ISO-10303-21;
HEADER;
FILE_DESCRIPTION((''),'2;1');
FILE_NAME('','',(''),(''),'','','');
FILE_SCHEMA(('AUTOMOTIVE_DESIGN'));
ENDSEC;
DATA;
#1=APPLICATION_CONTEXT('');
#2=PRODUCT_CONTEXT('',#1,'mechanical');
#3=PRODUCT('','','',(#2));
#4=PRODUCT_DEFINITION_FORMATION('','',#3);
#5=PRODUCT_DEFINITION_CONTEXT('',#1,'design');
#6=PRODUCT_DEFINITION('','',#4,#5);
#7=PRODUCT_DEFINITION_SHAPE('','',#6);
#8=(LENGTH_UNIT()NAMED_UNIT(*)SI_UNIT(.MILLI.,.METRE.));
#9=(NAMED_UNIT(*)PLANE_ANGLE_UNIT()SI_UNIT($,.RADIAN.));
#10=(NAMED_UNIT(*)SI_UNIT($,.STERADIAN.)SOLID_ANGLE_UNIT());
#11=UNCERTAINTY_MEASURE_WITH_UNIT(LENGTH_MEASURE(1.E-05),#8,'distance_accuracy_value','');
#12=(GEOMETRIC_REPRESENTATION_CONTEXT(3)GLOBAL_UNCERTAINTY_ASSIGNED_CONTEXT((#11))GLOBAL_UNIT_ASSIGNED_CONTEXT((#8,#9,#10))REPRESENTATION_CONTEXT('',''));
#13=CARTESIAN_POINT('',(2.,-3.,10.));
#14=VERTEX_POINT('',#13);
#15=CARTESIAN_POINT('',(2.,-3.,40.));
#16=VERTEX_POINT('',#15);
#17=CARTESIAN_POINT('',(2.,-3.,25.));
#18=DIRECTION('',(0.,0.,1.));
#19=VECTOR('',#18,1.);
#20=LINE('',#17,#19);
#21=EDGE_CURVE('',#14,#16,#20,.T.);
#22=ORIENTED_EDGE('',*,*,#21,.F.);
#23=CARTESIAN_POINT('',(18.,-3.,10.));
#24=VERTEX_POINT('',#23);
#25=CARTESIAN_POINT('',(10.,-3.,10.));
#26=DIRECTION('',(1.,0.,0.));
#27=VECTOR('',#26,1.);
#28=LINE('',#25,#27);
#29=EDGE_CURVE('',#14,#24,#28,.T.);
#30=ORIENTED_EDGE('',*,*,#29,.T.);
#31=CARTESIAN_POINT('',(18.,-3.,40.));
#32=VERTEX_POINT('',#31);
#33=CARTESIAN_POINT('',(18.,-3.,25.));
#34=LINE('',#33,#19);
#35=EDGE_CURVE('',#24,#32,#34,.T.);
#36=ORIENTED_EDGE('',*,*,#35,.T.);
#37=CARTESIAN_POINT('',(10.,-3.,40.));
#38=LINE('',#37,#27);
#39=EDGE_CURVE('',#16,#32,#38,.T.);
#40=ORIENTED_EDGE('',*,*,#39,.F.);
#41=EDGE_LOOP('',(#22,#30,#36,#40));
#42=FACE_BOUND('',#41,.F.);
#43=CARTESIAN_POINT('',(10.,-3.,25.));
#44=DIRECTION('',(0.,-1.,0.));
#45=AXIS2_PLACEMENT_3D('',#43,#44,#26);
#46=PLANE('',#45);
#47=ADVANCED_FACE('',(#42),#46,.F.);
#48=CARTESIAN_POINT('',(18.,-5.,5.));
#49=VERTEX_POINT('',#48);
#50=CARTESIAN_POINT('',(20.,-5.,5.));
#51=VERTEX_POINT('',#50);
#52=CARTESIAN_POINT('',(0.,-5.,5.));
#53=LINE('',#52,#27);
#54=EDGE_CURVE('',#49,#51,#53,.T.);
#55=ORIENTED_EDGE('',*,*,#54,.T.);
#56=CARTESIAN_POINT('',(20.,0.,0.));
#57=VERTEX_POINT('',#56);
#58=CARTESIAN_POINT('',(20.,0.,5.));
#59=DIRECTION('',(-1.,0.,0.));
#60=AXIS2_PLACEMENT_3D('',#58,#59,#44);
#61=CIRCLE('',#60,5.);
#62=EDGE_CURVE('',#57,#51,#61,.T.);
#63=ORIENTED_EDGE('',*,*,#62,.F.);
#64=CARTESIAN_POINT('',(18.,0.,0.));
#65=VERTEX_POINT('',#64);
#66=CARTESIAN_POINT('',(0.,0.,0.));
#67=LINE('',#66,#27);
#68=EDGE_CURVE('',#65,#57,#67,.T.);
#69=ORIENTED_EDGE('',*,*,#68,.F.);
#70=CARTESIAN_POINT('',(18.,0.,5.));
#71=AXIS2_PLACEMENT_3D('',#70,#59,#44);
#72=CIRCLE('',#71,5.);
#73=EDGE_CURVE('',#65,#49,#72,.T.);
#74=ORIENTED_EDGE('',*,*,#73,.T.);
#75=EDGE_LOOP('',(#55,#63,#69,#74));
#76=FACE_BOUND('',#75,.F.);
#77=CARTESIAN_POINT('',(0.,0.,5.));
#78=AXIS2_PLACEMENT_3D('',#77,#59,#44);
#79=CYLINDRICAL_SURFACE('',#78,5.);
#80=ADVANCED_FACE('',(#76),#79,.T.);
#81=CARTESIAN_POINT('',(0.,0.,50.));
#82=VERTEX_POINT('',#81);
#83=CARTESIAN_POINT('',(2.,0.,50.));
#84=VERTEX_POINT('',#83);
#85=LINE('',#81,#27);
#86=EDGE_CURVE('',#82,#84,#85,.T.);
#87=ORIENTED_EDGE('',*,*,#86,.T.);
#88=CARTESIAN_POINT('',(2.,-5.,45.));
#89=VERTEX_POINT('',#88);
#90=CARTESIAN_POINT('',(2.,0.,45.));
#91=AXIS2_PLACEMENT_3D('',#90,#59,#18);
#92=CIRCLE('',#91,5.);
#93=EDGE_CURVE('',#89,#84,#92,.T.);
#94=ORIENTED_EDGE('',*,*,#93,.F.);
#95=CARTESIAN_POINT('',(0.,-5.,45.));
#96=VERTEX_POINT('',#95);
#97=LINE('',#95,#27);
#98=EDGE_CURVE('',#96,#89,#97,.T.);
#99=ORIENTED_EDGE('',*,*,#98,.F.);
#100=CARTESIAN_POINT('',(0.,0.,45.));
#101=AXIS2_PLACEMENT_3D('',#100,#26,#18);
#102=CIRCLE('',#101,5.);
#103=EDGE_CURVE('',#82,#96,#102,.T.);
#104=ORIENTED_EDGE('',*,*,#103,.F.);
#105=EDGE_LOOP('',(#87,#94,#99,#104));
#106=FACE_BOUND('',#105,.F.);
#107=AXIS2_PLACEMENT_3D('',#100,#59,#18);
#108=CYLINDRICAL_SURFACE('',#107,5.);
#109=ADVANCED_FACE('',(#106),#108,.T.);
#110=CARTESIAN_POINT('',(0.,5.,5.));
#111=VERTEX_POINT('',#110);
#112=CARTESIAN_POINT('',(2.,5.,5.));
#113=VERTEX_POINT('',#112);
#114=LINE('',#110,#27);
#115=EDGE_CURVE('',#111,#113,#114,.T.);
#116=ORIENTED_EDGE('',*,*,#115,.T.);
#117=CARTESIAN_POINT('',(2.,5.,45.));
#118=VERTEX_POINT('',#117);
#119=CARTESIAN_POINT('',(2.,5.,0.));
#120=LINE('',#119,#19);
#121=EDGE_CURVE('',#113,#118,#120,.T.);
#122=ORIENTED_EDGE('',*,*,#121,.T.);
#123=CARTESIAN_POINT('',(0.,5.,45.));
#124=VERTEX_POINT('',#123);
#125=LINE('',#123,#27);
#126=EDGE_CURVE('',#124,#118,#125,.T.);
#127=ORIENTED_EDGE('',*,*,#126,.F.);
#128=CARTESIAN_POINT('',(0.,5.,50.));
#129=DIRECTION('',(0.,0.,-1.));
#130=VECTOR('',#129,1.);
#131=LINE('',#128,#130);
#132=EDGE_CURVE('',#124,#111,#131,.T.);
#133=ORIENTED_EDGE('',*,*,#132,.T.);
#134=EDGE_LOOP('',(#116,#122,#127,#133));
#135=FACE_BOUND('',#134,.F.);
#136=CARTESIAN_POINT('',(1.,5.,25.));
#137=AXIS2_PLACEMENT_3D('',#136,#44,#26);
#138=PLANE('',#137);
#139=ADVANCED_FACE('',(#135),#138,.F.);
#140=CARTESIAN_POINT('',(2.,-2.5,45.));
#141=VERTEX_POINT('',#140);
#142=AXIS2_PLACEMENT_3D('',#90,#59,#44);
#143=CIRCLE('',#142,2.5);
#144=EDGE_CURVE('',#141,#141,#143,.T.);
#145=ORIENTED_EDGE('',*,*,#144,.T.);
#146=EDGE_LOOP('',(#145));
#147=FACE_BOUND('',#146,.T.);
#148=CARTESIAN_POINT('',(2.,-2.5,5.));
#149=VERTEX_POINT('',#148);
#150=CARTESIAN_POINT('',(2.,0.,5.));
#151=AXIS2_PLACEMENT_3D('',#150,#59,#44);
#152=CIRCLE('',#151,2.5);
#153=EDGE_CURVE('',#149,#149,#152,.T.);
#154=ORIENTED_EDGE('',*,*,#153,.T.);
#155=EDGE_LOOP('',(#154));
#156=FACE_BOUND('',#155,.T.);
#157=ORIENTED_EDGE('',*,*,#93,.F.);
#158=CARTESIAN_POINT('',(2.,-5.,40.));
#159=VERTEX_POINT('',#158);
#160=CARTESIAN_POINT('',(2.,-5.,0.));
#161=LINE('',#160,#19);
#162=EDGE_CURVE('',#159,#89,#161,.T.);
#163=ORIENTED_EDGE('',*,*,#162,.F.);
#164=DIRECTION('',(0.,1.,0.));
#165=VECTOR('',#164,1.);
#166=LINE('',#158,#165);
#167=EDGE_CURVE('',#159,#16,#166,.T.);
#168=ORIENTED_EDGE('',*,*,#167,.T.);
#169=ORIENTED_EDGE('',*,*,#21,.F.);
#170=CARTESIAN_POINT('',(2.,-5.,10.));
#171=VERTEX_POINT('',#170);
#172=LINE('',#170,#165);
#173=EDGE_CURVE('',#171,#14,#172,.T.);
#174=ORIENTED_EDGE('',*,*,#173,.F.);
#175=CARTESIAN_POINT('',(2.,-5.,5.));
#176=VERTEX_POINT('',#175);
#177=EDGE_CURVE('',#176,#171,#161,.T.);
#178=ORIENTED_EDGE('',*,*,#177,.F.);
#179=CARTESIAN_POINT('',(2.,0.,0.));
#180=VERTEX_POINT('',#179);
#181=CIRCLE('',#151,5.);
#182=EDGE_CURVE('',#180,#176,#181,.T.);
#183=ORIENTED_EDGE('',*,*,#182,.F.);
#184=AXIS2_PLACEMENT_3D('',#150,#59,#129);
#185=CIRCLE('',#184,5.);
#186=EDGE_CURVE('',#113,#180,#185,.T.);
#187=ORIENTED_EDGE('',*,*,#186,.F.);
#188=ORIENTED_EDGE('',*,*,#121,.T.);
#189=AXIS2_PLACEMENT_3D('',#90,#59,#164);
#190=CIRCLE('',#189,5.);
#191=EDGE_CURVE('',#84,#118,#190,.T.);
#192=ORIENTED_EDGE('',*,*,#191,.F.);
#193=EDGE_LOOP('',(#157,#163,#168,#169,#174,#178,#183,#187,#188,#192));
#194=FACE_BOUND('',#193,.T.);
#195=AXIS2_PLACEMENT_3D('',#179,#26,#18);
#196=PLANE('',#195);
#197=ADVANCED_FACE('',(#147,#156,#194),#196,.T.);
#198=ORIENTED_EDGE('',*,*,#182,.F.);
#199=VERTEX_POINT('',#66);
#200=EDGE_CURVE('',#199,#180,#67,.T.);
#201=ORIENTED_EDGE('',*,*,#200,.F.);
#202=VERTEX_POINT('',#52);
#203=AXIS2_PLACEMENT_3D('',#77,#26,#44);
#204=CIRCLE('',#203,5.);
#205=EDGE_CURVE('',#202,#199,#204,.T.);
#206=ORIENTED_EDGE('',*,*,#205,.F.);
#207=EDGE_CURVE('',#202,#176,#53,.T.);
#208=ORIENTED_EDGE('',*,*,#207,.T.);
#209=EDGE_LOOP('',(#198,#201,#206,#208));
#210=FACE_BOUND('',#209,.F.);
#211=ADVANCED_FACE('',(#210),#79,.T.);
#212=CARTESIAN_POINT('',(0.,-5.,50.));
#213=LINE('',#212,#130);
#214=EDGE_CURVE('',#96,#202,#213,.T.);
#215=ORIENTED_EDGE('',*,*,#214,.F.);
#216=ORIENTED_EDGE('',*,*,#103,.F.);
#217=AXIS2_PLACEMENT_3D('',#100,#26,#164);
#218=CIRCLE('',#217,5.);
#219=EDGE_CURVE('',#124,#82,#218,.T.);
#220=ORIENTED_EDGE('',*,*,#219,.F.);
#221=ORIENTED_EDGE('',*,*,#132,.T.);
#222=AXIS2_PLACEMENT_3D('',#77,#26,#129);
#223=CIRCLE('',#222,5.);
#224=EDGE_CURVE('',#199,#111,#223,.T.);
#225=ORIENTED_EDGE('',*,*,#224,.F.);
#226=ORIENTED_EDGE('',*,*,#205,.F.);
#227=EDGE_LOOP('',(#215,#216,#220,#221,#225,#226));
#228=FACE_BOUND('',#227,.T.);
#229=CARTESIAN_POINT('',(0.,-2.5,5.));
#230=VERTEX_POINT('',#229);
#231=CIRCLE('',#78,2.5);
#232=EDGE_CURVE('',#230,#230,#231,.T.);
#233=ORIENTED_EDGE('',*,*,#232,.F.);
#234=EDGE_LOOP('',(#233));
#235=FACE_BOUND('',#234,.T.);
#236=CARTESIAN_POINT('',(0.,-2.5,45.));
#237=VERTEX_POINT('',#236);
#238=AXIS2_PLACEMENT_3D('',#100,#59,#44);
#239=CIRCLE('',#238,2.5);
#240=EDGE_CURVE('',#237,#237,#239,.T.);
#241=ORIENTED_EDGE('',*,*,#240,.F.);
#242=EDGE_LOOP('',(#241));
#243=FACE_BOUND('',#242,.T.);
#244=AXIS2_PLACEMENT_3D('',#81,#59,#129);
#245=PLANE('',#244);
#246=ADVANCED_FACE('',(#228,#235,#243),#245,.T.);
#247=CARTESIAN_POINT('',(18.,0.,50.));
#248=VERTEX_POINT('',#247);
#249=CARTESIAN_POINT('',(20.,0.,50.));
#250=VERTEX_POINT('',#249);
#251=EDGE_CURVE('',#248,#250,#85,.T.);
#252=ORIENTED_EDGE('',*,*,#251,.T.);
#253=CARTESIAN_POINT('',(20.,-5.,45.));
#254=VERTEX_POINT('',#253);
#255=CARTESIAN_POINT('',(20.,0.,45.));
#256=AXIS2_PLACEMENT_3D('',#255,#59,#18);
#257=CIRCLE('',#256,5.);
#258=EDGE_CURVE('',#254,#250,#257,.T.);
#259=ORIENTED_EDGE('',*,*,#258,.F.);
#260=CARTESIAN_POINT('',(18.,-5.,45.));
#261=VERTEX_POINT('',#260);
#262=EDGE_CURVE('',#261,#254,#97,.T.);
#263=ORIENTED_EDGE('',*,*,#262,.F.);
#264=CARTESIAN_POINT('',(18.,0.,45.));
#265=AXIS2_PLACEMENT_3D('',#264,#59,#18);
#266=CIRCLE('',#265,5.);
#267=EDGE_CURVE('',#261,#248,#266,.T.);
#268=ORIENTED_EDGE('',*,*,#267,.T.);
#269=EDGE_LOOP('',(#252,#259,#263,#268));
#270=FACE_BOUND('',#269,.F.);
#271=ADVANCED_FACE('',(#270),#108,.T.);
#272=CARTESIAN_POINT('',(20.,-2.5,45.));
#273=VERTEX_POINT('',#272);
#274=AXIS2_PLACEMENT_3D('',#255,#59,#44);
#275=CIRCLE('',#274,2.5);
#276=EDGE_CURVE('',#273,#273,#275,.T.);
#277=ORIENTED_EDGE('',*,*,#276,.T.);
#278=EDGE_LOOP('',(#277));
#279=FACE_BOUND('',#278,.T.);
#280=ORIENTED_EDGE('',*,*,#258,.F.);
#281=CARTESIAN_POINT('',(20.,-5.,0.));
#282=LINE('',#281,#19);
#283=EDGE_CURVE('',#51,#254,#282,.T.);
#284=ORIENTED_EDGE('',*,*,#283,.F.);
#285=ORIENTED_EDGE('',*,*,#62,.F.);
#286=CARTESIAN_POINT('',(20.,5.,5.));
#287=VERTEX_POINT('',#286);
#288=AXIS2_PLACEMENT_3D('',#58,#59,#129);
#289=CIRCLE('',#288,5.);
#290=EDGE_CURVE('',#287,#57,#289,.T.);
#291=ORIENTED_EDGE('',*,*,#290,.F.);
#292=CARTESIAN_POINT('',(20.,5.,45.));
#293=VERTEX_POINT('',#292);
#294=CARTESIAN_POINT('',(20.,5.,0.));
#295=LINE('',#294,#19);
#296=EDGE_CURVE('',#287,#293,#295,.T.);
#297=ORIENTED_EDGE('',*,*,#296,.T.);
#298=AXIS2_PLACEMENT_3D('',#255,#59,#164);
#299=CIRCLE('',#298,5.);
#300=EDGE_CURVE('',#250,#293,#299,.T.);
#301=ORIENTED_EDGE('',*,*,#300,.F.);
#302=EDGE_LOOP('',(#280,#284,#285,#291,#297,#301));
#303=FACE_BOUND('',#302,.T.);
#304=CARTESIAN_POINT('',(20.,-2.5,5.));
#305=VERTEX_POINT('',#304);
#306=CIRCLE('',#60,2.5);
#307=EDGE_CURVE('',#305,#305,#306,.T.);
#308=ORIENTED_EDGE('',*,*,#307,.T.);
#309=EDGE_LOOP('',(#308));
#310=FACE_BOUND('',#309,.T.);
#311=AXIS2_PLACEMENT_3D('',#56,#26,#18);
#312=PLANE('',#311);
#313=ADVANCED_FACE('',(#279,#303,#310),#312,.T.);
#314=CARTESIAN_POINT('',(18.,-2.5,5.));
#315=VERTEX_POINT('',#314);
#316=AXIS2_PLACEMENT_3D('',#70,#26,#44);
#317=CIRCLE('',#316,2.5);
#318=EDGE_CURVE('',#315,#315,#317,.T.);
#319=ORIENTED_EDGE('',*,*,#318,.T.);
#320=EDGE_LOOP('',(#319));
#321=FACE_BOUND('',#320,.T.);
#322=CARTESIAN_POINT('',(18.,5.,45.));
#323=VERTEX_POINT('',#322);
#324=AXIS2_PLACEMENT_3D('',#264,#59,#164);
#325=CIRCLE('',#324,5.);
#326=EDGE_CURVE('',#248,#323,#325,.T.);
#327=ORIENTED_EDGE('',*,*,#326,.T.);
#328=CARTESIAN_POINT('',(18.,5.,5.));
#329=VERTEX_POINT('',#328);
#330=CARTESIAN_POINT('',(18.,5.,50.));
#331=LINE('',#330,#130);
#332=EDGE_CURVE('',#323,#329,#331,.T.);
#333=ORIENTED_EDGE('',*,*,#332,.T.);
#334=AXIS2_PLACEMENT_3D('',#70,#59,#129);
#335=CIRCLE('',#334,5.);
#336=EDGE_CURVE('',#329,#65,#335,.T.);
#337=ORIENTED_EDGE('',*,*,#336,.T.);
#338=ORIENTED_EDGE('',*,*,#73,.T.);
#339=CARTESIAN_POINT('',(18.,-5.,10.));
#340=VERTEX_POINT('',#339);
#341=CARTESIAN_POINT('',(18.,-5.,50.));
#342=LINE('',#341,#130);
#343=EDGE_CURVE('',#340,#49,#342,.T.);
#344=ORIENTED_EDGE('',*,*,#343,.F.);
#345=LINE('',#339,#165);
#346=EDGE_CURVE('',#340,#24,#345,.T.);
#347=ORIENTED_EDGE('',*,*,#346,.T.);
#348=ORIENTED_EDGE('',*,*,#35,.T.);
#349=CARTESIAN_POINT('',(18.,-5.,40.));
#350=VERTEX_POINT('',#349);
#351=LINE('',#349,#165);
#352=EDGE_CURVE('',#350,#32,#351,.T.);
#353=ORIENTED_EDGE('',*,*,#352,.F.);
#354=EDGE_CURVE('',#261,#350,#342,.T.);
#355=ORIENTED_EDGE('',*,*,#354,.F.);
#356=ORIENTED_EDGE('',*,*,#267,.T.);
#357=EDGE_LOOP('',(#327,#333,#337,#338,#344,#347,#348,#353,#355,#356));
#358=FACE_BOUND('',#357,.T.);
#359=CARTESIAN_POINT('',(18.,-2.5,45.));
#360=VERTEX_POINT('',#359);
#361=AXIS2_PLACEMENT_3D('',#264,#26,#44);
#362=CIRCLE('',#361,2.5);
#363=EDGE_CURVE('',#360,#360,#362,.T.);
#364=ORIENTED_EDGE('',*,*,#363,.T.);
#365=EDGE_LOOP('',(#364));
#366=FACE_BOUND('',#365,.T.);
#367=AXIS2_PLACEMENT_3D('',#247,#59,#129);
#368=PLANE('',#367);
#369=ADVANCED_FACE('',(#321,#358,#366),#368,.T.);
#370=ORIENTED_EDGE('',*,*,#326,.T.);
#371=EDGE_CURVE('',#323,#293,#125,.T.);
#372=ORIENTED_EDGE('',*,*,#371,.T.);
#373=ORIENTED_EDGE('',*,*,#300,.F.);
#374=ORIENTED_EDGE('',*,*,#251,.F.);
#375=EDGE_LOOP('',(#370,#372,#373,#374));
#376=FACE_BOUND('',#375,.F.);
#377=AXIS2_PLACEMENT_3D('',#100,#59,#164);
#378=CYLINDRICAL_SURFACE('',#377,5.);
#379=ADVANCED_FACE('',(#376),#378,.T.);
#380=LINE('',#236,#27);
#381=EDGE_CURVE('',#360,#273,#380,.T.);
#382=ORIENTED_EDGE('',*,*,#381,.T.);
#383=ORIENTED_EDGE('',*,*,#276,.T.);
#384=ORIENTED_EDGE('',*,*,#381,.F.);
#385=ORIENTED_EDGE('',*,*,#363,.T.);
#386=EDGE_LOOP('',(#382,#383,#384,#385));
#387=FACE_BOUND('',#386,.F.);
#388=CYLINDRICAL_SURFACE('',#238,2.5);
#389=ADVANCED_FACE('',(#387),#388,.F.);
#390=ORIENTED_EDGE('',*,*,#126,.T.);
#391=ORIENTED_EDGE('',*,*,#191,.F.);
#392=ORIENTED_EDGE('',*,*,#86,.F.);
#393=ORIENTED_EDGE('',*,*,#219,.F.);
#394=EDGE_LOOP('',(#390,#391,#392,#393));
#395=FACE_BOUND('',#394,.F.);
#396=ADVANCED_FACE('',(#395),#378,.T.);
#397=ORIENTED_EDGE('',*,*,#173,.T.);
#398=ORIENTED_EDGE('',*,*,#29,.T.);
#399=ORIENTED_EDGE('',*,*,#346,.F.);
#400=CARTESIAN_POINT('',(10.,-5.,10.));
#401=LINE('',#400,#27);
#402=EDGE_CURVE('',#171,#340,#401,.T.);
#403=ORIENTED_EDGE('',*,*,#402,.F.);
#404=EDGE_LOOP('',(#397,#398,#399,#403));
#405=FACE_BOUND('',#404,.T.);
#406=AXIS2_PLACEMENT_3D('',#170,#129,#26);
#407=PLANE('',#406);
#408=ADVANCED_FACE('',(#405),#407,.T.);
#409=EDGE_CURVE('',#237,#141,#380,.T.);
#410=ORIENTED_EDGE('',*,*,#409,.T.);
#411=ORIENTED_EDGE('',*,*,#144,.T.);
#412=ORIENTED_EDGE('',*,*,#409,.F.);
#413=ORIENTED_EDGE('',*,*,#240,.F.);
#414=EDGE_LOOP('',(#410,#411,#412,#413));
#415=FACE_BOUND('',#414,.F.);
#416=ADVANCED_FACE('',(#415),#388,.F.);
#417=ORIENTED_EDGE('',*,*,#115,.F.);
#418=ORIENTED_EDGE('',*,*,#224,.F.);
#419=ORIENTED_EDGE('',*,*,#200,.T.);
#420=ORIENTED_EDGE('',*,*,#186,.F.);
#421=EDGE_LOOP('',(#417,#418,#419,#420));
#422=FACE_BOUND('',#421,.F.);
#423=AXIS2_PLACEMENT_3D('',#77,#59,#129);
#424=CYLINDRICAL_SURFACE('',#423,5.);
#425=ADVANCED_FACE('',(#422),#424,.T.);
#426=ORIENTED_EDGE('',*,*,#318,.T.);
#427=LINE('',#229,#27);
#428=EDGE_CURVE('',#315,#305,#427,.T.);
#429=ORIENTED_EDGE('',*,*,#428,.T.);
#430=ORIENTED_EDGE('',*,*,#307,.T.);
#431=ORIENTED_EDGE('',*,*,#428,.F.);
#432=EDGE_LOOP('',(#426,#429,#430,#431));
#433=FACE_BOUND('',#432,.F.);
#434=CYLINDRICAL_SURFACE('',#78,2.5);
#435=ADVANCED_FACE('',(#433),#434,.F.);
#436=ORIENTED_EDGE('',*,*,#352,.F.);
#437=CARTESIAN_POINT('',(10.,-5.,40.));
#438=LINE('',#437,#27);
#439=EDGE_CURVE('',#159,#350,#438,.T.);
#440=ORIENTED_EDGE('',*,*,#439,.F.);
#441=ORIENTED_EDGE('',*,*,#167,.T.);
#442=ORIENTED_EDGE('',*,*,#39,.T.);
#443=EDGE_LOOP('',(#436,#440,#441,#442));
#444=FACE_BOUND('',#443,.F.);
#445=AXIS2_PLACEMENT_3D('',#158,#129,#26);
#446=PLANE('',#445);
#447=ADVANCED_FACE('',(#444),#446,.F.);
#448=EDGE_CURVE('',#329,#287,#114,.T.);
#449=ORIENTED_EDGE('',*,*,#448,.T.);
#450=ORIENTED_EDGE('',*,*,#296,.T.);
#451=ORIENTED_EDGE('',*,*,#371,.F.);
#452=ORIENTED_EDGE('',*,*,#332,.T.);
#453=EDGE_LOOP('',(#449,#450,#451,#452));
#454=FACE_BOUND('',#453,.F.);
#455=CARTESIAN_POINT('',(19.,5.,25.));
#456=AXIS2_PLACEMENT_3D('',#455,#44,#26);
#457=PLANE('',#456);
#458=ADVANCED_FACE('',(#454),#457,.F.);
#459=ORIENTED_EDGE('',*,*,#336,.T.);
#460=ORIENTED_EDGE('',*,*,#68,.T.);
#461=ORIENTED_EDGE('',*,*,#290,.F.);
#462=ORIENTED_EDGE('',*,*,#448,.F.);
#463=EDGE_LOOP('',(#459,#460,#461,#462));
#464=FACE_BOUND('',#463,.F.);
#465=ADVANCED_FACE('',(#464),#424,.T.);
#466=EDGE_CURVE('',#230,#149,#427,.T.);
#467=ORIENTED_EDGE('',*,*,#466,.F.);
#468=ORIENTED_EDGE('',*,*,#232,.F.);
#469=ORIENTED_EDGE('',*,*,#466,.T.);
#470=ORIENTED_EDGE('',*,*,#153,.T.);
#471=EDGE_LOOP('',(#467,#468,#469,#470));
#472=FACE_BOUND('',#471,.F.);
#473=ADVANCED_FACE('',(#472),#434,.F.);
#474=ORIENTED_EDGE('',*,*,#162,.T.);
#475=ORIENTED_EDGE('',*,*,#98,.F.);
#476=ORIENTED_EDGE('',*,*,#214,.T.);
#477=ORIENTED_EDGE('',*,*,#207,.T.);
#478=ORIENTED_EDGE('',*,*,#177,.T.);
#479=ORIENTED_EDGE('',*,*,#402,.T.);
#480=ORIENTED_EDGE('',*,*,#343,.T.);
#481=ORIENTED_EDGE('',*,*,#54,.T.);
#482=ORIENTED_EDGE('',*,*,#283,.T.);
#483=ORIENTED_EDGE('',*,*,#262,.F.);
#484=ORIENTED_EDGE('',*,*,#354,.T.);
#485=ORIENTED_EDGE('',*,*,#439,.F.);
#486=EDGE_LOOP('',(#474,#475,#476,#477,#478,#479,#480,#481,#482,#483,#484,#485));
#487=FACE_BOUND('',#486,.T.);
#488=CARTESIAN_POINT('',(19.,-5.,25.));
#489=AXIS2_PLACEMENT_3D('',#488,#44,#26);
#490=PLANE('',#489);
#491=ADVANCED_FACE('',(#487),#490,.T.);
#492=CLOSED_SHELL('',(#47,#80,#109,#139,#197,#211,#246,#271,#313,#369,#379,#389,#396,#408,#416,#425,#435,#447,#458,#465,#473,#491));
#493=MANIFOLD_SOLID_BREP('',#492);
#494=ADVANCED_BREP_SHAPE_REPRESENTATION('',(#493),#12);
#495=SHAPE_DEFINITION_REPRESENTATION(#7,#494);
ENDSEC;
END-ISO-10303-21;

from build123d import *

# Parameters (mm, degrees)
F1_DEPTH  = 5
F3_DEPTH  = 25
F5_DEPTH  = 25
F6_R      = 2.5
F7_DEPTH  = 25
F8_R      = 2.5
F9_DEPTH  = 25
F10_W     = 16
F10_H     = 30
F11_DEPTH = 2
F13_R     = 2.5
F14_DEPTH = 10


with BuildPart() as f1:
    # F0 (on Front) → F1 (new body, symmetric)
    with BuildSketch(Plane.XZ):
        Polygon((0, 50), (0, 0), (2, 0), (2, 10), (2, 40), (2, 50), align=None)
    extrude(amount=F1_DEPTH, both=True)


with BuildPart() as f1b:
    # F0 (on Front) → F1, piece 2 (new body, symmetric)
    with BuildSketch(Plane.XZ):
        Polygon((18, 40), (18, 10), (18, 0), (20, 0), (20, 50), (18, 50), align=None)
    extrude(amount=F1_DEPTH, both=True)


with BuildPart() as f3_tool:
    # F2 (on face) → F3 (new body)
    with BuildSketch(Plane(origin=(0, 0, 0), x_dir=(0, -1, 0), z_dir=(-1, 0, 0))):
        with BuildLine():
            ThreePointArc((5, 5), (3.5355339059, 1.4644660941), (0, 0))
            Line((0, 0), (5, 0))
            Line((5, 0), (5, 5))
        make_face()
        with BuildLine():
            ThreePointArc((0, 0), (-3.5355339059, 1.4644660941), (-5, 5))
            Line((-5, 5), (-5, 0))
            Line((-5, 0), (0, 0))
        make_face()
    extrude(amount=-F3_DEPTH)


with BuildPart() as f1_1:
    add(f1.part)

    # F3: cut by f3_tool
    add(f3_tool.part, mode=Mode.SUBTRACT)


with BuildPart() as f1b_1:
    add(f1b.part)

    # F3: cut by f3_tool
    add(f3_tool.part, mode=Mode.SUBTRACT)


with BuildPart() as f5_tool:
    # F4 (on face) → F5 (new body)
    with BuildSketch(Plane(origin=(0, 0, 0), x_dir=(0, -1, 0), z_dir=(-1, 0, 0))):
        with BuildLine():
            ThreePointArc((-5, 45), (-3.5355339059, 48.5355339059), (0, 50))
            Line((0, 50), (-5, 50))
            Line((-5, 50), (-5, 45))
        make_face()
        with BuildLine():
            ThreePointArc((0, 50), (3.5355339059, 48.5355339059), (5, 45))
            Line((5, 45), (5, 50))
            Line((5, 50), (0, 50))
        make_face()
    extrude(amount=-F5_DEPTH)


with BuildPart() as f1_2:
    add(f1_1.part)

    # F5: cut by f5_tool
    add(f5_tool.part, mode=Mode.SUBTRACT)


with BuildPart() as f1b_2:
    add(f1b_1.part)

    # F5: cut by f5_tool
    add(f5_tool.part, mode=Mode.SUBTRACT)


with BuildPart() as f7_tool:
    # F6 (on face) → F7 (new body)
    with BuildSketch(Plane(origin=(0, 0, 0), x_dir=(0, -1, 0), z_dir=(-1, 0, 0))):
        with Locations((0, 45)):
            Circle(F6_R)
    extrude(amount=-F7_DEPTH)


with BuildPart() as f1_3:
    add(f1_2.part)

    # F7: cut by f7_tool
    add(f7_tool.part, mode=Mode.SUBTRACT)


with BuildPart() as f1b_3:
    add(f1b_2.part)

    # F7: cut by f7_tool
    add(f7_tool.part, mode=Mode.SUBTRACT)


with BuildPart() as f9_tool:
    # F8 (on face) → F9 (new body)
    with BuildSketch(Plane(origin=(0, 0, 0), x_dir=(0, -1, 0), z_dir=(-1, 0, 0))):
        with Locations((0, 5)):
            Circle(F8_R)
    extrude(amount=-F9_DEPTH)


with BuildPart() as f1_4:
    add(f1_3.part)

    # F9: cut by f9_tool
    add(f9_tool.part, mode=Mode.SUBTRACT)


with BuildPart() as f1b_4:
    add(f1b_3.part)

    # F9: cut by f9_tool
    add(f9_tool.part, mode=Mode.SUBTRACT)


with BuildPart() as f11:
    # F10 (on face) → F11 (new body)
    with BuildSketch(Plane.XZ.offset(5)):
        with Locations((10, 25)):
            Rectangle(F10_W, F10_H)
    extrude(amount=-F11_DEPTH)


with BuildPart() as f1_5:
    add(f1_4.part)

    # F12: union F1b, F11
    add(f1b_4.part)
    add(f11.part)

    # F13 (on face) → F14 (cut)
    with BuildSketch(Plane.YZ.offset(20)):
        with BuildLine():
            ThreePointArc((-5, 45), (-3.5355339059, 48.5355339059), (0, 50))
            Line((0, 50), (-5, 50))
            Line((-5, 50), (-5, 45))
        make_face()
        with BuildLine():
            ThreePointArc((0, 50), (3.5355339059, 48.5355339059), (5, 45))
            Line((5, 45), (5, 50))
            Line((5, 50), (0, 50))
        make_face()
        with Locations((0, 45)):
            Circle(F13_R)
        with BuildLine():
            ThreePointArc((5, 5), (3.5355339059, 1.4644660941), (0, 0))
            Line((0, 0), (5, 0))
            Line((5, 0), (5, 5))
        make_face()
        with BuildLine():
            ThreePointArc((0, 0), (-3.5355339059, 1.4644660941), (-5, 5))
            Line((-5, 5), (-5, 0))
            Line((-5, 0), (0, 0))
        make_face()
        with Locations((0, 5)):
            Circle(F13_R)
    extrude(amount=-F14_DEPTH, mode=Mode.SUBTRACT)


solid = f1_5.part
